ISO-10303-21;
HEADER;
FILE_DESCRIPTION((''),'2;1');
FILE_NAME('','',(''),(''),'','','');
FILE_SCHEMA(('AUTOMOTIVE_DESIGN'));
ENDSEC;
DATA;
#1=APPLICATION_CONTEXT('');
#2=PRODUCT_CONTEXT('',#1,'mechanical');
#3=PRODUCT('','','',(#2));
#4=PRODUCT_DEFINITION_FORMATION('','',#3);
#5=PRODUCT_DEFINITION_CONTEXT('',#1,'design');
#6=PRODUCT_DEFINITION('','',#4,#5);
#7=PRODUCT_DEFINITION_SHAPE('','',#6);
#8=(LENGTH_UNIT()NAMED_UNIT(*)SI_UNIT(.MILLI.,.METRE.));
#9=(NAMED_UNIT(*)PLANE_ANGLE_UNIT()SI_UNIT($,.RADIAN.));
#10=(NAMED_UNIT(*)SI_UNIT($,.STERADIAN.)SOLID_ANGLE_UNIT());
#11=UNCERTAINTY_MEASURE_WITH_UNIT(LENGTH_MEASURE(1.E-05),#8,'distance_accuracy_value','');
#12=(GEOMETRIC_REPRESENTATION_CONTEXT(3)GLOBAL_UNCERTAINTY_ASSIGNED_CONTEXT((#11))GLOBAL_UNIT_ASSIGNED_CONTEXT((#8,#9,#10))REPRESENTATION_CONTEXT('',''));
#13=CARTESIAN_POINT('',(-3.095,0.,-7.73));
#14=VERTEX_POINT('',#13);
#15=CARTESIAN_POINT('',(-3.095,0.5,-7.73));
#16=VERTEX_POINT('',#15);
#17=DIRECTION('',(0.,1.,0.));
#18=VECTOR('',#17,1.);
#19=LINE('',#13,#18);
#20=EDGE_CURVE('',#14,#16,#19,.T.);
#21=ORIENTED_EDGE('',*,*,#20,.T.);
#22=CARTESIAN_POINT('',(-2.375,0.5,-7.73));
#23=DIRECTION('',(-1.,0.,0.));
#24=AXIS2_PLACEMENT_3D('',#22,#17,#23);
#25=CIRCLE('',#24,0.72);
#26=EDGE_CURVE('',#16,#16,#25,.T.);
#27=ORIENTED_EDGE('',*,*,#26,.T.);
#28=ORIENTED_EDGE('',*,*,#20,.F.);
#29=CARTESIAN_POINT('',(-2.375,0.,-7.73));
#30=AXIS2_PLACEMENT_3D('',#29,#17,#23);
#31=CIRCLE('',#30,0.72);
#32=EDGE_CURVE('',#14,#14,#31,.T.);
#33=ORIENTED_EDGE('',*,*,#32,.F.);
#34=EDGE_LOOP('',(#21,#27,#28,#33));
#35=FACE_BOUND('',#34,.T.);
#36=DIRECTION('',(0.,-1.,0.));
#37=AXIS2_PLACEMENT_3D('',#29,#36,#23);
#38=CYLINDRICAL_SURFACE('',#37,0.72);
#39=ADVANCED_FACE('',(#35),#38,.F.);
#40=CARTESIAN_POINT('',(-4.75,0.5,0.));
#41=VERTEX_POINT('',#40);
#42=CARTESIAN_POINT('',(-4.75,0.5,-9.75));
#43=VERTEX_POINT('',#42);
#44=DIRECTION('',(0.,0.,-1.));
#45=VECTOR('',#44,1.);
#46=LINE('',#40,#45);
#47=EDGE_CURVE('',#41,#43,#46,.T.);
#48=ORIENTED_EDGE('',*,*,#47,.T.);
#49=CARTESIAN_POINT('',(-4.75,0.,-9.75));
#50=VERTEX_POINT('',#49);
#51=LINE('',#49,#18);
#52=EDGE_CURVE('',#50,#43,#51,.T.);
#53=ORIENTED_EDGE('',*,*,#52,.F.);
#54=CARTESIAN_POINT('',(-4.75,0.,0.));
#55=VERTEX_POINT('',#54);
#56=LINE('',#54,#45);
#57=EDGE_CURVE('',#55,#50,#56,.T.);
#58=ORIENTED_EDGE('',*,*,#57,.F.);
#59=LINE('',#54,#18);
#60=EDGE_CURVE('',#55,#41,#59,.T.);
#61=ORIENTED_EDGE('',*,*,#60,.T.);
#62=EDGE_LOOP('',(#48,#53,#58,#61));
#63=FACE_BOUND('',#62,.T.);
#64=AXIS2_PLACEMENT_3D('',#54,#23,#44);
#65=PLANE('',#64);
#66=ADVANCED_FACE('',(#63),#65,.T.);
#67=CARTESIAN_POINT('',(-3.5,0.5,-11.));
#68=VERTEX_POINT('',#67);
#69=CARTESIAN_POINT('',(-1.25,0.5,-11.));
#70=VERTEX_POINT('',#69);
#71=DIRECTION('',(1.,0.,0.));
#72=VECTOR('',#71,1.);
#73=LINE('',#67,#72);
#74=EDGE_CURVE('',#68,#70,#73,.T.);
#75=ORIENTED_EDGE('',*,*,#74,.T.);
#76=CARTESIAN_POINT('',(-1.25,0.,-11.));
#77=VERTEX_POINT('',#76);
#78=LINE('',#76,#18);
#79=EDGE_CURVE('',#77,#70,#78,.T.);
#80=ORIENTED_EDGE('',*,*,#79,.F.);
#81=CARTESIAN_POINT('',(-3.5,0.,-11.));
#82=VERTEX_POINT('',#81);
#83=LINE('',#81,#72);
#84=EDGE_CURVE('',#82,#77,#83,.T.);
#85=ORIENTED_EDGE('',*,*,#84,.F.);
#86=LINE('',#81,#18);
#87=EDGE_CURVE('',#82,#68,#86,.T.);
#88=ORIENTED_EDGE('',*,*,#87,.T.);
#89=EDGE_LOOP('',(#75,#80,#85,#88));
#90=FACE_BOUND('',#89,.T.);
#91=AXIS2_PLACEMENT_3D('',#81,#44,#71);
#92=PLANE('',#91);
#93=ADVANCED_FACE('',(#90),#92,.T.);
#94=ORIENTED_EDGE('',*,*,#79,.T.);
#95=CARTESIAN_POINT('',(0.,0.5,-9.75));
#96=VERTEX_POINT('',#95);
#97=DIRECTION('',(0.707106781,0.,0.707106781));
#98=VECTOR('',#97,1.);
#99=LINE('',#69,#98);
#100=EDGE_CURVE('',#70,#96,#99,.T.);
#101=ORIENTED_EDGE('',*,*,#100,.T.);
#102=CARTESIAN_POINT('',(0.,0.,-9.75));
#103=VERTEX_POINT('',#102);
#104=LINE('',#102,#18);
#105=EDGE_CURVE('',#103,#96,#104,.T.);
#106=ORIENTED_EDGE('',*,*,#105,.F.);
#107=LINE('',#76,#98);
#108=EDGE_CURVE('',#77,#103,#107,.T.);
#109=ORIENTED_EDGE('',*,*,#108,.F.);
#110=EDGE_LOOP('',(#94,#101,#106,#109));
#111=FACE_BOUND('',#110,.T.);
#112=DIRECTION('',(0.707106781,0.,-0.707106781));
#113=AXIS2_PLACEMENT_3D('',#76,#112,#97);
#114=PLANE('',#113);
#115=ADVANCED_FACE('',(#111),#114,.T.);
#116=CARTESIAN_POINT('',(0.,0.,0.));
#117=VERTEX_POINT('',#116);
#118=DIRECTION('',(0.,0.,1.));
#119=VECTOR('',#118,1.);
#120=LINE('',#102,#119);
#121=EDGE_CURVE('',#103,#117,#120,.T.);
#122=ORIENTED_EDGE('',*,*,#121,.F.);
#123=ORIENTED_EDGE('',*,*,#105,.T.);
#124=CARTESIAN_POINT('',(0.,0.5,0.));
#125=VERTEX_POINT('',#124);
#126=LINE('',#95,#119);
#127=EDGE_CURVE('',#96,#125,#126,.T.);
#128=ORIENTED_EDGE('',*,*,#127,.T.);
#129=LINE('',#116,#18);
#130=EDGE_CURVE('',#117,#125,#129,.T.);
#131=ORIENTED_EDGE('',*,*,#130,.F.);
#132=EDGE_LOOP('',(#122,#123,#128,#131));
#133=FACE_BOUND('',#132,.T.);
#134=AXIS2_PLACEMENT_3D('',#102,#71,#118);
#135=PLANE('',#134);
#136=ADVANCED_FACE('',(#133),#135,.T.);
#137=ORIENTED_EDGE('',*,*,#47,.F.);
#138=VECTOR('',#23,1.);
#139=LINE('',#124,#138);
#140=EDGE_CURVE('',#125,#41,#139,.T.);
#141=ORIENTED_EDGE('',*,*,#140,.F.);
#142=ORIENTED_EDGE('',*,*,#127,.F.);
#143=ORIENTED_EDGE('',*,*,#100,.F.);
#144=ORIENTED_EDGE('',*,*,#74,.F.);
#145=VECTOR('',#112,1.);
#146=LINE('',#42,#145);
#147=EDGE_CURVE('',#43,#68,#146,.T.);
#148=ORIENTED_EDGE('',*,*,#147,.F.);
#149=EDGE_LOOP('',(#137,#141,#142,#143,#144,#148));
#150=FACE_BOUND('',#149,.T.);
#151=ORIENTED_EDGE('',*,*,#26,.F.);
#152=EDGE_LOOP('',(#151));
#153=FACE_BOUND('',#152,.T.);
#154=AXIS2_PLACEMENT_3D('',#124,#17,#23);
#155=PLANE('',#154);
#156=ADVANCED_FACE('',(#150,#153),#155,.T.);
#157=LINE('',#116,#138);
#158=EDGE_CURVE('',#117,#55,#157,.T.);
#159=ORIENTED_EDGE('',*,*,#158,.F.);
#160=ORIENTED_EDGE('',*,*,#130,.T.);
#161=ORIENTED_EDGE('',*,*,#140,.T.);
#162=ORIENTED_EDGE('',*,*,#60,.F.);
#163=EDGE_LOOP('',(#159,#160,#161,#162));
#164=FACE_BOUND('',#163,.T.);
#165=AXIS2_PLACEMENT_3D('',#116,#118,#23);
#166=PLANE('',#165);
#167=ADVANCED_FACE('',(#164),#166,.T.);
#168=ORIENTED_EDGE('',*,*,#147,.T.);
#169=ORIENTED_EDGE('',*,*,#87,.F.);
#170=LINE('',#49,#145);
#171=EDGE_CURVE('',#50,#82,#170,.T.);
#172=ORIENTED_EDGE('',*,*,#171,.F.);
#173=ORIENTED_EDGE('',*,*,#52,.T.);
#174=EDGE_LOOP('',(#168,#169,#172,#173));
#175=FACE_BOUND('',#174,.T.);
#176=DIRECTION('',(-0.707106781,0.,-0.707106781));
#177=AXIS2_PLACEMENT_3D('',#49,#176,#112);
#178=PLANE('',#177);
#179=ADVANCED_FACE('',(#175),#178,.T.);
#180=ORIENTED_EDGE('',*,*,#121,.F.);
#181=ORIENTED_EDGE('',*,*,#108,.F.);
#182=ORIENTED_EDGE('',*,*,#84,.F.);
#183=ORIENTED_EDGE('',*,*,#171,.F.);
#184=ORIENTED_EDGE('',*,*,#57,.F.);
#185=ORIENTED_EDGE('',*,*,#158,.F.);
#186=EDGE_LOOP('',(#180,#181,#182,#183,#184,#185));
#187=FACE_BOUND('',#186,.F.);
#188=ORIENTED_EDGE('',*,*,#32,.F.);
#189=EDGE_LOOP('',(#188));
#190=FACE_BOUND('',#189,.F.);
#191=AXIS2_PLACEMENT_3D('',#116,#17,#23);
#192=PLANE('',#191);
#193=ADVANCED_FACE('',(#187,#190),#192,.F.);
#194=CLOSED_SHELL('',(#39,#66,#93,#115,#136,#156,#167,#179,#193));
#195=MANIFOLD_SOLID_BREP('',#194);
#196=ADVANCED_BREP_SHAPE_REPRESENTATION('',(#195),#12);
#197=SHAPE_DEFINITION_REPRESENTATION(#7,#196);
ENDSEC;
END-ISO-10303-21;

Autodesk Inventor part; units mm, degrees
ref_plane "YZ Plane" through (0, 0, 0) normal (1, 0, 0) x (0, 1, 0)
ref_plane "XZ Plane" through (0, 0, 0) normal (0, 1, 0) x (-1, 0, 0)
ref_plane "XY Plane" through (0, 0, 0) normal (0, 0, 1) x (1, 0, 0)
sketch "Sketch1" plane through (0, 0, 0) normal (0, 1, 0) x (-1, 0, 0)
  line L0 (0, 0) -> (4.75, 0)
  line L1 (4.75, 0) -> (4.75, -9.75)
  line L2 (3.5, -11) -> (1.25, -11)
  line L3 (0, -9.75) -> (0, 0)
  line L4 (4.75, -9.75) -> (3.5, -11)
  line L5 (1.25, -11) -> (0, -9.75)
  circle A0 centre (2.375, -7.73) radius 0.72
  point P0 (4.75, -11)
  point P1 (0, -11)
  dimension "d0" = 11
  dimension "d1" = 4.75
  dimension "d2" = 1.25
  dimension "d3" = 1.25
  dimension "d4" = 1.25
  dimension "d5" = 1.25
  dimension "d6" = 1.44
  dimension "d7" = 3.27
extrude "Extrusion1" add sketch "Sketch1" along normal blind 0.5
equation "\"d3\" = d2"
equation "\"d4\" = d2"
equation "\"d5\" = d4"
properties part number "NO_Contact" material "Brass, Soft Yellow"
